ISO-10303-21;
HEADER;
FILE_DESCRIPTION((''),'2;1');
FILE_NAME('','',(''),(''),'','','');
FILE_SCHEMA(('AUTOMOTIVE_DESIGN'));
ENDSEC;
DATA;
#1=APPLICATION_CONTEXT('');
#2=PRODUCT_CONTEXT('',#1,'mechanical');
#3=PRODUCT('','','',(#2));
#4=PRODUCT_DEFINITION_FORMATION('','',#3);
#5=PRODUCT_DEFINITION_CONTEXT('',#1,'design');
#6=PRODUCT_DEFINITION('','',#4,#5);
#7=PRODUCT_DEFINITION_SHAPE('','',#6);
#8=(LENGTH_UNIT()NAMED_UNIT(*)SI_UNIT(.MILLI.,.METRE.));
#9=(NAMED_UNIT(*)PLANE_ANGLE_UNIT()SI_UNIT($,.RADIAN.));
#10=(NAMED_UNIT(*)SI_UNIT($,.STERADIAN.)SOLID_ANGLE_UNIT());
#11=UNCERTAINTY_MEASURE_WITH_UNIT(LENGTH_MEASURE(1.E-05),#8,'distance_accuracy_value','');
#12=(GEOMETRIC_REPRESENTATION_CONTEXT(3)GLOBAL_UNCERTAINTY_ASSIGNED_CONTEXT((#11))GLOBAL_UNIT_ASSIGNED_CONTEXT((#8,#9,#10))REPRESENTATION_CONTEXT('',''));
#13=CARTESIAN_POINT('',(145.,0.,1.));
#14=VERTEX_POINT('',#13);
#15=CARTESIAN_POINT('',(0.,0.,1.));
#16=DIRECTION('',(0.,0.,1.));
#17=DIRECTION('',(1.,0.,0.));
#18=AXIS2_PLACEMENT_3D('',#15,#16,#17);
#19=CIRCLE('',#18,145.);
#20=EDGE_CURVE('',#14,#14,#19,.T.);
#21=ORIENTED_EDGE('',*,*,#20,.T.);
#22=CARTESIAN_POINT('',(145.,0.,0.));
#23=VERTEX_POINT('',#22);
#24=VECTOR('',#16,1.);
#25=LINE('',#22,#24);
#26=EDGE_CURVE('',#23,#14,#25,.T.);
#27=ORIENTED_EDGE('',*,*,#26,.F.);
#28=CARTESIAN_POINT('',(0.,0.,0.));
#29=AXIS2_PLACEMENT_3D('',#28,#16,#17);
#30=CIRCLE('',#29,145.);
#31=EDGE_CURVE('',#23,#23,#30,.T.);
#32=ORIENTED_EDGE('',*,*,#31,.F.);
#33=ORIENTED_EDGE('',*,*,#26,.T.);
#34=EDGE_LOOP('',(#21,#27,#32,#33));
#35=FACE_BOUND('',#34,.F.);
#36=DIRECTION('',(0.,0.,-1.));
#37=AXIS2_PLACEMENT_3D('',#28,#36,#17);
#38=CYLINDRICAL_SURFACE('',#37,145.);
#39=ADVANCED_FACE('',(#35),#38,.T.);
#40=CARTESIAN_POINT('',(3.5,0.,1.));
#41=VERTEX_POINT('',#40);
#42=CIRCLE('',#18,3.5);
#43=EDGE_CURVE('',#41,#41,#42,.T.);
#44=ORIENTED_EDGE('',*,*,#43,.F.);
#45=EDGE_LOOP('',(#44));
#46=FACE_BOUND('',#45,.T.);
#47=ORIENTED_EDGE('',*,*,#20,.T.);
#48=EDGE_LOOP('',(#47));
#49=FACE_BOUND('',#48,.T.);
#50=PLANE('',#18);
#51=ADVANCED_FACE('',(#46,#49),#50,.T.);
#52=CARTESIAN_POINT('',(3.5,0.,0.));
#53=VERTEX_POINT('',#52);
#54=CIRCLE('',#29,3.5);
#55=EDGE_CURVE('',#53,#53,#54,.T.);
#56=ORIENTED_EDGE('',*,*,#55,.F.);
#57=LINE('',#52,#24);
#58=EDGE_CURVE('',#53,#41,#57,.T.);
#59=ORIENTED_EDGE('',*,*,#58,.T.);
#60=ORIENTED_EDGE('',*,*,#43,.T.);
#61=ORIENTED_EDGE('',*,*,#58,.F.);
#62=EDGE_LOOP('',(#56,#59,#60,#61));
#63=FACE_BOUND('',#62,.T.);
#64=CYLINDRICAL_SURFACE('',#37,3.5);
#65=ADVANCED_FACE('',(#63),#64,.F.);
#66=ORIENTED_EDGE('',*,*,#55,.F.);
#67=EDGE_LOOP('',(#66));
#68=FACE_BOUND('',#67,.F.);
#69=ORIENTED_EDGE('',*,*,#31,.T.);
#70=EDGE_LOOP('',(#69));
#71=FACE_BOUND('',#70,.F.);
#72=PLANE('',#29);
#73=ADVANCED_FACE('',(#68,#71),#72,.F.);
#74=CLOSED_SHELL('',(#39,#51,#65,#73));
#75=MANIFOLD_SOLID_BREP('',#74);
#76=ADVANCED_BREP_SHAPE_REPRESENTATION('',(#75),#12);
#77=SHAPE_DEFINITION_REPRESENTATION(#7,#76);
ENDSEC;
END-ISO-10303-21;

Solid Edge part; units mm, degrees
sketch "Sketch1" plane through (0, 0, 0) normal (0, 0, 1) x (1, 0, 0)
  circle A0 centre (0, 0) radius 145
  circle A1 centre (0, 0) radius 3.5
  dimension "D1" = 290
  dimension "D2" = 7
extrude "Protrusion1" add sketch "Sketch1" along normal blind 1
properties material "Cork, gasket grade"
